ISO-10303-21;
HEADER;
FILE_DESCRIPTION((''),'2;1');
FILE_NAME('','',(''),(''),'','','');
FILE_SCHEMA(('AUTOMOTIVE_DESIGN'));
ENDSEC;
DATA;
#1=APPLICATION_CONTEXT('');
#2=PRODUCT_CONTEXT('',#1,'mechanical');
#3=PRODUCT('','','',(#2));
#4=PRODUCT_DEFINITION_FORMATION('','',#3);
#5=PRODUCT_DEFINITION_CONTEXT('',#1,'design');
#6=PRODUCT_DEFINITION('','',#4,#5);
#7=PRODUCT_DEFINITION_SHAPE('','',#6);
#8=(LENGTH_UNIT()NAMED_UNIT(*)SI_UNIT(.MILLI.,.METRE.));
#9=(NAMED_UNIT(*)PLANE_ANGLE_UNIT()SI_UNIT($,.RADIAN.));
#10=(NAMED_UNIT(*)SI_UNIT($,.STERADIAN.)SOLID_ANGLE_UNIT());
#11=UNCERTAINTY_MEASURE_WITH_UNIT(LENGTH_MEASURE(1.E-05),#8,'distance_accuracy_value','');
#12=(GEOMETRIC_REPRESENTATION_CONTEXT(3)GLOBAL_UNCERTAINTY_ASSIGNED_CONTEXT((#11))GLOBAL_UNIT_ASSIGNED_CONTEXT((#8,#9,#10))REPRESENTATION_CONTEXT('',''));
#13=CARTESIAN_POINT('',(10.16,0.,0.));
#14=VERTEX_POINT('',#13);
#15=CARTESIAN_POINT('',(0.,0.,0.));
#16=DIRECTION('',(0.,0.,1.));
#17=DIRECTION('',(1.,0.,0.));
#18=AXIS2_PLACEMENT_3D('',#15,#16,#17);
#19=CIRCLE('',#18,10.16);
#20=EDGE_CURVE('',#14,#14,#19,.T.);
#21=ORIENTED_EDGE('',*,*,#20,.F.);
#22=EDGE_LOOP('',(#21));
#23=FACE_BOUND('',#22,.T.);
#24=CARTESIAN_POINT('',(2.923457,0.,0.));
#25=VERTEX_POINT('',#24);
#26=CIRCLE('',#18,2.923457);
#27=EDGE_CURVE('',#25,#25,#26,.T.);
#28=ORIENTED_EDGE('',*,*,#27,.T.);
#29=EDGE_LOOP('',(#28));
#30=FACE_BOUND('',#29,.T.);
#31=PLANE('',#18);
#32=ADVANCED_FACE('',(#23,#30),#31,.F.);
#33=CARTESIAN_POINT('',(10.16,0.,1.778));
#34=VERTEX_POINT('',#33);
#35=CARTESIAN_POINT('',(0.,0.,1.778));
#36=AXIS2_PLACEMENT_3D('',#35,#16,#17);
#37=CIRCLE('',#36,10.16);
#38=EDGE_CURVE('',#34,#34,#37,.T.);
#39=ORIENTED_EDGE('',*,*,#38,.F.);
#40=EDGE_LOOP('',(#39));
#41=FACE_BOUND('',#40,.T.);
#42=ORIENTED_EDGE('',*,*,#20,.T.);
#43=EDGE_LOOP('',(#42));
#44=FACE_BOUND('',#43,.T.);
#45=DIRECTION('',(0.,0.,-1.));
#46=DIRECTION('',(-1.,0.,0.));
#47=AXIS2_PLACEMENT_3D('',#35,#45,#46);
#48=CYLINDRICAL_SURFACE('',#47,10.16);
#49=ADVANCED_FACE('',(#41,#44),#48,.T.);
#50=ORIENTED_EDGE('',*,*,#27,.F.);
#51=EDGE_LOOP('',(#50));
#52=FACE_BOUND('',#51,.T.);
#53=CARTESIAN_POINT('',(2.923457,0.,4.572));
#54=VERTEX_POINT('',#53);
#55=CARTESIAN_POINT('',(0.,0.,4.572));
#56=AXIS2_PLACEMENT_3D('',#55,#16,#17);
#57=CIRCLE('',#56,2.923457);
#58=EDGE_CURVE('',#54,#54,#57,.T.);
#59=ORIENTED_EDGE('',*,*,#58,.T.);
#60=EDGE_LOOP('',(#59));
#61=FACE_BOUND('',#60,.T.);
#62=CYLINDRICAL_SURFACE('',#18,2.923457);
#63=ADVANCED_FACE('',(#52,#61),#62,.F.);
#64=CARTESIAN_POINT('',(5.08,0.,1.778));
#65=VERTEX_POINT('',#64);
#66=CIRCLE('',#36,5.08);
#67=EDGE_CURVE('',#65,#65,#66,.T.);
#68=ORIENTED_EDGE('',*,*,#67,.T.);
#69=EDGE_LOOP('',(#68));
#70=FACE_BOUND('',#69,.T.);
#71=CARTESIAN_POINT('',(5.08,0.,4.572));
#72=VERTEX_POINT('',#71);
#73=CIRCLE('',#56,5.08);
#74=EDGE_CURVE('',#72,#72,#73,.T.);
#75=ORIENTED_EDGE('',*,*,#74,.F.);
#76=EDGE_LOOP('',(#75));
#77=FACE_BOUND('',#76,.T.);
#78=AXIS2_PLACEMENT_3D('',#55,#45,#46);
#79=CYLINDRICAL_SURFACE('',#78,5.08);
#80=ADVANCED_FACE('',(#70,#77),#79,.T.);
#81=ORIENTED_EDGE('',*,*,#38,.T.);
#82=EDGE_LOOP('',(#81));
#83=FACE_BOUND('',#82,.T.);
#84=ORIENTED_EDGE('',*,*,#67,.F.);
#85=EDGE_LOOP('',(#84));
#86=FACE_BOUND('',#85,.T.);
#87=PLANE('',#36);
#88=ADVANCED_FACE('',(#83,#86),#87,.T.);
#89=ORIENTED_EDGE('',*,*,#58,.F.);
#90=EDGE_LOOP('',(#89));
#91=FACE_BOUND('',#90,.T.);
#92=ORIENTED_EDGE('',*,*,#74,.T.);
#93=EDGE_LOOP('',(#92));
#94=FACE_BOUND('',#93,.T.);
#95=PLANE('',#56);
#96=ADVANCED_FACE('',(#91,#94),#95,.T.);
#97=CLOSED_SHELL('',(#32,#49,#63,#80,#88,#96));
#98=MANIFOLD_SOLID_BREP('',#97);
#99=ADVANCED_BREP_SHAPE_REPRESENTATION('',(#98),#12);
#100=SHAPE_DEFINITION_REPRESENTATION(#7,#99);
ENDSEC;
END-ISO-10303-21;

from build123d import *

# Parameters (mm, degrees)
SKETCH1_R           = 10.16
BOSS_EXTRUDE1_DEPTH = 1.778
SKETCH2_R           = 5.08
BOSS_EXTRUDE2_DEPTH = 2.794
SKETCH3_R           = 2.923457499
CUT_EXTRUDE1_DEPTH  = 4.572


with BuildPart() as part:
    # Sketch1 → Boss-Extrude1 (new body)
    with BuildSketch(Plane.XY):
        Circle(SKETCH1_R)
    extrude(amount=BOSS_EXTRUDE1_DEPTH)

    # Sketch2 → Boss-Extrude2 (add)
    with BuildSketch(Plane.XY.offset(1.778)):
        Circle(SKETCH2_R)
    extrude(amount=BOSS_EXTRUDE2_DEPTH)

    # Sketch3 → Cut-Extrude1 (cut)
    with BuildSketch(Plane.XY.offset(4.572)):
        Circle(SKETCH3_R)
    extrude(amount=-CUT_EXTRUDE1_DEPTH, mode=Mode.SUBTRACT)


solid = part.part
